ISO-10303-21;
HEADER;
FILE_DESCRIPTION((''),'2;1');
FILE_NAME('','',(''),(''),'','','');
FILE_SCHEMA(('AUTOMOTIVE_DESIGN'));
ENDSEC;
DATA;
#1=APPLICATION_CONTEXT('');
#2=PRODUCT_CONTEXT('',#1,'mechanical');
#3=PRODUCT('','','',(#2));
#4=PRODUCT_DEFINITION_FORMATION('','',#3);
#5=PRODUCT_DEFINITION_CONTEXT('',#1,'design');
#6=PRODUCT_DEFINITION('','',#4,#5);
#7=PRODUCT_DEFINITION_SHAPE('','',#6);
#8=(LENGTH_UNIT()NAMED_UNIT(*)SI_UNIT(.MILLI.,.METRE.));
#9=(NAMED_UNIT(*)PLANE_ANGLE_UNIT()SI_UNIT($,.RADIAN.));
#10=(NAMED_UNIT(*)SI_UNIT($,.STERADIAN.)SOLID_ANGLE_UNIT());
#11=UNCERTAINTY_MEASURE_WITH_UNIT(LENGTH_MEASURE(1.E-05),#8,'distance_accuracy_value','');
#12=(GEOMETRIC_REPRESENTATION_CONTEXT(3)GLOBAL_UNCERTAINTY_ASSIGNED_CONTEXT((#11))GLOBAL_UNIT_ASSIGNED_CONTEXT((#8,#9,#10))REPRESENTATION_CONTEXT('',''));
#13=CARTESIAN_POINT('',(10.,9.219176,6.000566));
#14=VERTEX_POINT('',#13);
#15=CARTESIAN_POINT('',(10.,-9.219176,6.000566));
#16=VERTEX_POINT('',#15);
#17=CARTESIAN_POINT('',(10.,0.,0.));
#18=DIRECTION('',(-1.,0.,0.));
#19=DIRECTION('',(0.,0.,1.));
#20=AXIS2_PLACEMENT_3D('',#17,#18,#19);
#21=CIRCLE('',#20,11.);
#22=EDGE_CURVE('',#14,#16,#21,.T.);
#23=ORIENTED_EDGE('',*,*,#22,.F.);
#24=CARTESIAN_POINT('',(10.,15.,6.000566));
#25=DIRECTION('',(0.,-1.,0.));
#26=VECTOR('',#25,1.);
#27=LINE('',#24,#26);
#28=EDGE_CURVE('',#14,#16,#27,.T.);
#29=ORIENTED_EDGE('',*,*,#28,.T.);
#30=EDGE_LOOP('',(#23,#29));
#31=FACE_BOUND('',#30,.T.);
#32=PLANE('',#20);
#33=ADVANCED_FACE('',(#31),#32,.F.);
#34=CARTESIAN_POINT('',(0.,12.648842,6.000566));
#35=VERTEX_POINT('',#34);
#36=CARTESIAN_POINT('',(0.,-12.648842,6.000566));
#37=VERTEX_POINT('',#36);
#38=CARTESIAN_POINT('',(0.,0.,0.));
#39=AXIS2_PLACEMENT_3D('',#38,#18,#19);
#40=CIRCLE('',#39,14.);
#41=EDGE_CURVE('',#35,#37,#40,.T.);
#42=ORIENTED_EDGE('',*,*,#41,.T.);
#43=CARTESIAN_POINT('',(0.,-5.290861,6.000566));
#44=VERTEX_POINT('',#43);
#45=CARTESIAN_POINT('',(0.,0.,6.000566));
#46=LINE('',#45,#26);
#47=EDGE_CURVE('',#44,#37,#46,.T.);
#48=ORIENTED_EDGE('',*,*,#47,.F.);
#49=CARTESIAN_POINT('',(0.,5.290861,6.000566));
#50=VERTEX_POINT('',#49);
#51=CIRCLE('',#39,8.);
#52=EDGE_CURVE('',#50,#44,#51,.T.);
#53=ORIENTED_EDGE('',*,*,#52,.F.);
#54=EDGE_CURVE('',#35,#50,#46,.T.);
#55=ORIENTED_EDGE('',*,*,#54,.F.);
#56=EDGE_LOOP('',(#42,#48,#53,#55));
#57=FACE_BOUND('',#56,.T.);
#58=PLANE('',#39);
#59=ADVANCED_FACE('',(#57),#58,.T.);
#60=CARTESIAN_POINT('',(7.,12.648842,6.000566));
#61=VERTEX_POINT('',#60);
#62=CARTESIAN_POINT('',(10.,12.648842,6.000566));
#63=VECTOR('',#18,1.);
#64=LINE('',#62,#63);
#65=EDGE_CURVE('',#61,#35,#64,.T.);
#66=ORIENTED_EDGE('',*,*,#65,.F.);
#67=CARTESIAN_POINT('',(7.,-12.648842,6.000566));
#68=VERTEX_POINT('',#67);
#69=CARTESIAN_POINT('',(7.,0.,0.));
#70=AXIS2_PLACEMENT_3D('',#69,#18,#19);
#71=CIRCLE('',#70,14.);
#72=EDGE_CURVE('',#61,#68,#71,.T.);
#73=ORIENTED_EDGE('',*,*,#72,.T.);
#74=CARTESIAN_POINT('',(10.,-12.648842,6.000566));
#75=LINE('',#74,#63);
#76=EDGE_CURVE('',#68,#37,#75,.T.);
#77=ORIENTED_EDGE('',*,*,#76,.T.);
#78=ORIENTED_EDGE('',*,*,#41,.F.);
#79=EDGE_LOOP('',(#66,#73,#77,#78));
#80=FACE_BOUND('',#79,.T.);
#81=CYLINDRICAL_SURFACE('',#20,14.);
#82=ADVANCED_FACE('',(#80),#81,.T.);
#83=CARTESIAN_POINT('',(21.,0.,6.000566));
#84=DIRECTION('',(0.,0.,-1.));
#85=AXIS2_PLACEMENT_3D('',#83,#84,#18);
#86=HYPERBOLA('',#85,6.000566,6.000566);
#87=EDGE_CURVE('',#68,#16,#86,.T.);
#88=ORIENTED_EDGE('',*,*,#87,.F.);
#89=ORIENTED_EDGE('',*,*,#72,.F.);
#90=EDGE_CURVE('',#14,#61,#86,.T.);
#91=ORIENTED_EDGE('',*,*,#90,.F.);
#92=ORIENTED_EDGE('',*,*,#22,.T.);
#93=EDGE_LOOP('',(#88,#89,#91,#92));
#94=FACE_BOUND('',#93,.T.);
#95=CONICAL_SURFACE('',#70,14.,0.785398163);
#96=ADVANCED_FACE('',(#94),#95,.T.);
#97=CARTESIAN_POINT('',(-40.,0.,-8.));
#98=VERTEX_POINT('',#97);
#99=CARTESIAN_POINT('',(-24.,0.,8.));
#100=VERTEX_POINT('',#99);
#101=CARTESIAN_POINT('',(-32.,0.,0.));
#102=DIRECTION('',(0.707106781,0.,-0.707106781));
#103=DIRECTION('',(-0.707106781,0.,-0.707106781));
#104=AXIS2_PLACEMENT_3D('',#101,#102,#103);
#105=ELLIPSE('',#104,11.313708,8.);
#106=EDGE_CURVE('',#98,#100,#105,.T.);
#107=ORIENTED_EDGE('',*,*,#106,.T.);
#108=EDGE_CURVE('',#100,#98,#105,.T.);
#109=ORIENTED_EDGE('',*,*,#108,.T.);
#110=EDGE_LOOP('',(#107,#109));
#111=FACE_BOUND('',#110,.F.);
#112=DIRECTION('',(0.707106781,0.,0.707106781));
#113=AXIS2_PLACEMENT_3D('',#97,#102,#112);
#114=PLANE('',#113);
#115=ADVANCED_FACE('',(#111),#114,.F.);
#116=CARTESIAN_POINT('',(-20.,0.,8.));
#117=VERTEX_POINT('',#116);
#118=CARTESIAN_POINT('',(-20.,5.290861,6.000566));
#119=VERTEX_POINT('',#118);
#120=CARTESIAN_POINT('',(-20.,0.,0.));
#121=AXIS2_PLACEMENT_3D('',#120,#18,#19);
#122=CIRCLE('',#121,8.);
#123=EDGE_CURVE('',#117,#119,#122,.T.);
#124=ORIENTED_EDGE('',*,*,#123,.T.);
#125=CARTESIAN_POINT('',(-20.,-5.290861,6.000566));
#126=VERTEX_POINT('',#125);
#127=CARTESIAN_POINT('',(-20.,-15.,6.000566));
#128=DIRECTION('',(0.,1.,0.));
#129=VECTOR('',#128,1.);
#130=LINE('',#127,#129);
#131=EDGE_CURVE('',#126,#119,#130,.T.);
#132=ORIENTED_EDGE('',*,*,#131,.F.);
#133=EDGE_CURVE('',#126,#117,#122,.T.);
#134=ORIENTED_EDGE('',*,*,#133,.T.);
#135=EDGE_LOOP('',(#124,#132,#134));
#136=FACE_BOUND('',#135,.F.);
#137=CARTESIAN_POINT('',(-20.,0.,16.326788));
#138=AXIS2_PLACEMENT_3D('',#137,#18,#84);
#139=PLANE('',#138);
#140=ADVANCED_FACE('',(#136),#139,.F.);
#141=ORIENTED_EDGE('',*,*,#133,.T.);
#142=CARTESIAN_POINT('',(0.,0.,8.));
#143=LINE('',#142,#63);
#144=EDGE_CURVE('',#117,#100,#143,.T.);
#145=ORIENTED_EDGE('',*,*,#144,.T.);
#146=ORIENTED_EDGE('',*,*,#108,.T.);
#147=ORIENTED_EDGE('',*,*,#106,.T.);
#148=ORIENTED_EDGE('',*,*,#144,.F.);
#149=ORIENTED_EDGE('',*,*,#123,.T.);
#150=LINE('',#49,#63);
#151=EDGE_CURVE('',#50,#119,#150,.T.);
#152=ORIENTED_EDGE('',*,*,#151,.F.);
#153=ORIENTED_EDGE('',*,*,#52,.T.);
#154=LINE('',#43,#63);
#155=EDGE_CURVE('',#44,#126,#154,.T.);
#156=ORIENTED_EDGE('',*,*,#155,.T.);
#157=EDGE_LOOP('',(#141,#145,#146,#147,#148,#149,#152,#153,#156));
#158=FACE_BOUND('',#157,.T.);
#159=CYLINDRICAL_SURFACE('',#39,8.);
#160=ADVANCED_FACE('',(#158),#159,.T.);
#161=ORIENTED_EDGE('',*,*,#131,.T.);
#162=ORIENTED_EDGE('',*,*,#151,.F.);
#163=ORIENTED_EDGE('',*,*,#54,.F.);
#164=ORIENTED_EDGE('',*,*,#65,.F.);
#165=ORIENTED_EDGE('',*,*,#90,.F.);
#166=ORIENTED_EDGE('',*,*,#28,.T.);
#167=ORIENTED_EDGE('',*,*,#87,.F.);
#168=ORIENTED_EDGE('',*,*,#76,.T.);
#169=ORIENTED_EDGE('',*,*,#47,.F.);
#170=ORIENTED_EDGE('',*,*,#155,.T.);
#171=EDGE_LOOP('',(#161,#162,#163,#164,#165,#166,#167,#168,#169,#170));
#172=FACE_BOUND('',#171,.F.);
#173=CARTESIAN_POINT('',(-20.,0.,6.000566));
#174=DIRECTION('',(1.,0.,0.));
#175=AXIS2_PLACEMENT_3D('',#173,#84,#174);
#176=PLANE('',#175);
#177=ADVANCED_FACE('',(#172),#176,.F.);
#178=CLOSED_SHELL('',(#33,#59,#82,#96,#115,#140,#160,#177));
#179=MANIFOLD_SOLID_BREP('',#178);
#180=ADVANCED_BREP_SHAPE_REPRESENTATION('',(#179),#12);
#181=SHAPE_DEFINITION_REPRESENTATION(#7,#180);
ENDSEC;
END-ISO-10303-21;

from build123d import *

# Parameters (mm, degrees)
F2_SIZE  = 3
F3_W     = 30
F3_H     = 8.326223
F3_H_2   = 2
F4_DEPTH = 15
F6_DEPTH = 15


with BuildPart() as f1:
    # F0 (on Front) → F1 (revolve)
    with BuildSketch(Plane.XZ):
        Polygon((-40, 8), (-40, 0), (10, 0), (10, 14), (0, 14), (0, 8), align=None)
    revolve(axis=Axis((-23.084291, 0, 0), (-1, 0, 0)))

    # F2
    f2_edges = [f1.edges().sort_by_distance(p)[0] for p in [
        (10, 0, -14),
    ]]
    chamfer(f2_edges, length=F2_SIZE)

    # F3 (on Front) → F4 (cut, symmetric)
    with BuildSketch(Plane.XZ):
        with Locations((-5, 12.163677)):
            Rectangle(F3_W, F3_H)
        with Locations((-5, 7.000566)):
            Rectangle(F3_W, F3_H_2)
    extrude(amount=F4_DEPTH, both=True, mode=Mode.SUBTRACT)

    # F5 (on Front) → F6 (cut, symmetric)
    with BuildSketch(Plane.XZ):
        Polygon((-24, 8), (-40, 8), (-40, -8), align=None)
    extrude(amount=F6_DEPTH, both=True, mode=Mode.SUBTRACT)


solid = f1.part
